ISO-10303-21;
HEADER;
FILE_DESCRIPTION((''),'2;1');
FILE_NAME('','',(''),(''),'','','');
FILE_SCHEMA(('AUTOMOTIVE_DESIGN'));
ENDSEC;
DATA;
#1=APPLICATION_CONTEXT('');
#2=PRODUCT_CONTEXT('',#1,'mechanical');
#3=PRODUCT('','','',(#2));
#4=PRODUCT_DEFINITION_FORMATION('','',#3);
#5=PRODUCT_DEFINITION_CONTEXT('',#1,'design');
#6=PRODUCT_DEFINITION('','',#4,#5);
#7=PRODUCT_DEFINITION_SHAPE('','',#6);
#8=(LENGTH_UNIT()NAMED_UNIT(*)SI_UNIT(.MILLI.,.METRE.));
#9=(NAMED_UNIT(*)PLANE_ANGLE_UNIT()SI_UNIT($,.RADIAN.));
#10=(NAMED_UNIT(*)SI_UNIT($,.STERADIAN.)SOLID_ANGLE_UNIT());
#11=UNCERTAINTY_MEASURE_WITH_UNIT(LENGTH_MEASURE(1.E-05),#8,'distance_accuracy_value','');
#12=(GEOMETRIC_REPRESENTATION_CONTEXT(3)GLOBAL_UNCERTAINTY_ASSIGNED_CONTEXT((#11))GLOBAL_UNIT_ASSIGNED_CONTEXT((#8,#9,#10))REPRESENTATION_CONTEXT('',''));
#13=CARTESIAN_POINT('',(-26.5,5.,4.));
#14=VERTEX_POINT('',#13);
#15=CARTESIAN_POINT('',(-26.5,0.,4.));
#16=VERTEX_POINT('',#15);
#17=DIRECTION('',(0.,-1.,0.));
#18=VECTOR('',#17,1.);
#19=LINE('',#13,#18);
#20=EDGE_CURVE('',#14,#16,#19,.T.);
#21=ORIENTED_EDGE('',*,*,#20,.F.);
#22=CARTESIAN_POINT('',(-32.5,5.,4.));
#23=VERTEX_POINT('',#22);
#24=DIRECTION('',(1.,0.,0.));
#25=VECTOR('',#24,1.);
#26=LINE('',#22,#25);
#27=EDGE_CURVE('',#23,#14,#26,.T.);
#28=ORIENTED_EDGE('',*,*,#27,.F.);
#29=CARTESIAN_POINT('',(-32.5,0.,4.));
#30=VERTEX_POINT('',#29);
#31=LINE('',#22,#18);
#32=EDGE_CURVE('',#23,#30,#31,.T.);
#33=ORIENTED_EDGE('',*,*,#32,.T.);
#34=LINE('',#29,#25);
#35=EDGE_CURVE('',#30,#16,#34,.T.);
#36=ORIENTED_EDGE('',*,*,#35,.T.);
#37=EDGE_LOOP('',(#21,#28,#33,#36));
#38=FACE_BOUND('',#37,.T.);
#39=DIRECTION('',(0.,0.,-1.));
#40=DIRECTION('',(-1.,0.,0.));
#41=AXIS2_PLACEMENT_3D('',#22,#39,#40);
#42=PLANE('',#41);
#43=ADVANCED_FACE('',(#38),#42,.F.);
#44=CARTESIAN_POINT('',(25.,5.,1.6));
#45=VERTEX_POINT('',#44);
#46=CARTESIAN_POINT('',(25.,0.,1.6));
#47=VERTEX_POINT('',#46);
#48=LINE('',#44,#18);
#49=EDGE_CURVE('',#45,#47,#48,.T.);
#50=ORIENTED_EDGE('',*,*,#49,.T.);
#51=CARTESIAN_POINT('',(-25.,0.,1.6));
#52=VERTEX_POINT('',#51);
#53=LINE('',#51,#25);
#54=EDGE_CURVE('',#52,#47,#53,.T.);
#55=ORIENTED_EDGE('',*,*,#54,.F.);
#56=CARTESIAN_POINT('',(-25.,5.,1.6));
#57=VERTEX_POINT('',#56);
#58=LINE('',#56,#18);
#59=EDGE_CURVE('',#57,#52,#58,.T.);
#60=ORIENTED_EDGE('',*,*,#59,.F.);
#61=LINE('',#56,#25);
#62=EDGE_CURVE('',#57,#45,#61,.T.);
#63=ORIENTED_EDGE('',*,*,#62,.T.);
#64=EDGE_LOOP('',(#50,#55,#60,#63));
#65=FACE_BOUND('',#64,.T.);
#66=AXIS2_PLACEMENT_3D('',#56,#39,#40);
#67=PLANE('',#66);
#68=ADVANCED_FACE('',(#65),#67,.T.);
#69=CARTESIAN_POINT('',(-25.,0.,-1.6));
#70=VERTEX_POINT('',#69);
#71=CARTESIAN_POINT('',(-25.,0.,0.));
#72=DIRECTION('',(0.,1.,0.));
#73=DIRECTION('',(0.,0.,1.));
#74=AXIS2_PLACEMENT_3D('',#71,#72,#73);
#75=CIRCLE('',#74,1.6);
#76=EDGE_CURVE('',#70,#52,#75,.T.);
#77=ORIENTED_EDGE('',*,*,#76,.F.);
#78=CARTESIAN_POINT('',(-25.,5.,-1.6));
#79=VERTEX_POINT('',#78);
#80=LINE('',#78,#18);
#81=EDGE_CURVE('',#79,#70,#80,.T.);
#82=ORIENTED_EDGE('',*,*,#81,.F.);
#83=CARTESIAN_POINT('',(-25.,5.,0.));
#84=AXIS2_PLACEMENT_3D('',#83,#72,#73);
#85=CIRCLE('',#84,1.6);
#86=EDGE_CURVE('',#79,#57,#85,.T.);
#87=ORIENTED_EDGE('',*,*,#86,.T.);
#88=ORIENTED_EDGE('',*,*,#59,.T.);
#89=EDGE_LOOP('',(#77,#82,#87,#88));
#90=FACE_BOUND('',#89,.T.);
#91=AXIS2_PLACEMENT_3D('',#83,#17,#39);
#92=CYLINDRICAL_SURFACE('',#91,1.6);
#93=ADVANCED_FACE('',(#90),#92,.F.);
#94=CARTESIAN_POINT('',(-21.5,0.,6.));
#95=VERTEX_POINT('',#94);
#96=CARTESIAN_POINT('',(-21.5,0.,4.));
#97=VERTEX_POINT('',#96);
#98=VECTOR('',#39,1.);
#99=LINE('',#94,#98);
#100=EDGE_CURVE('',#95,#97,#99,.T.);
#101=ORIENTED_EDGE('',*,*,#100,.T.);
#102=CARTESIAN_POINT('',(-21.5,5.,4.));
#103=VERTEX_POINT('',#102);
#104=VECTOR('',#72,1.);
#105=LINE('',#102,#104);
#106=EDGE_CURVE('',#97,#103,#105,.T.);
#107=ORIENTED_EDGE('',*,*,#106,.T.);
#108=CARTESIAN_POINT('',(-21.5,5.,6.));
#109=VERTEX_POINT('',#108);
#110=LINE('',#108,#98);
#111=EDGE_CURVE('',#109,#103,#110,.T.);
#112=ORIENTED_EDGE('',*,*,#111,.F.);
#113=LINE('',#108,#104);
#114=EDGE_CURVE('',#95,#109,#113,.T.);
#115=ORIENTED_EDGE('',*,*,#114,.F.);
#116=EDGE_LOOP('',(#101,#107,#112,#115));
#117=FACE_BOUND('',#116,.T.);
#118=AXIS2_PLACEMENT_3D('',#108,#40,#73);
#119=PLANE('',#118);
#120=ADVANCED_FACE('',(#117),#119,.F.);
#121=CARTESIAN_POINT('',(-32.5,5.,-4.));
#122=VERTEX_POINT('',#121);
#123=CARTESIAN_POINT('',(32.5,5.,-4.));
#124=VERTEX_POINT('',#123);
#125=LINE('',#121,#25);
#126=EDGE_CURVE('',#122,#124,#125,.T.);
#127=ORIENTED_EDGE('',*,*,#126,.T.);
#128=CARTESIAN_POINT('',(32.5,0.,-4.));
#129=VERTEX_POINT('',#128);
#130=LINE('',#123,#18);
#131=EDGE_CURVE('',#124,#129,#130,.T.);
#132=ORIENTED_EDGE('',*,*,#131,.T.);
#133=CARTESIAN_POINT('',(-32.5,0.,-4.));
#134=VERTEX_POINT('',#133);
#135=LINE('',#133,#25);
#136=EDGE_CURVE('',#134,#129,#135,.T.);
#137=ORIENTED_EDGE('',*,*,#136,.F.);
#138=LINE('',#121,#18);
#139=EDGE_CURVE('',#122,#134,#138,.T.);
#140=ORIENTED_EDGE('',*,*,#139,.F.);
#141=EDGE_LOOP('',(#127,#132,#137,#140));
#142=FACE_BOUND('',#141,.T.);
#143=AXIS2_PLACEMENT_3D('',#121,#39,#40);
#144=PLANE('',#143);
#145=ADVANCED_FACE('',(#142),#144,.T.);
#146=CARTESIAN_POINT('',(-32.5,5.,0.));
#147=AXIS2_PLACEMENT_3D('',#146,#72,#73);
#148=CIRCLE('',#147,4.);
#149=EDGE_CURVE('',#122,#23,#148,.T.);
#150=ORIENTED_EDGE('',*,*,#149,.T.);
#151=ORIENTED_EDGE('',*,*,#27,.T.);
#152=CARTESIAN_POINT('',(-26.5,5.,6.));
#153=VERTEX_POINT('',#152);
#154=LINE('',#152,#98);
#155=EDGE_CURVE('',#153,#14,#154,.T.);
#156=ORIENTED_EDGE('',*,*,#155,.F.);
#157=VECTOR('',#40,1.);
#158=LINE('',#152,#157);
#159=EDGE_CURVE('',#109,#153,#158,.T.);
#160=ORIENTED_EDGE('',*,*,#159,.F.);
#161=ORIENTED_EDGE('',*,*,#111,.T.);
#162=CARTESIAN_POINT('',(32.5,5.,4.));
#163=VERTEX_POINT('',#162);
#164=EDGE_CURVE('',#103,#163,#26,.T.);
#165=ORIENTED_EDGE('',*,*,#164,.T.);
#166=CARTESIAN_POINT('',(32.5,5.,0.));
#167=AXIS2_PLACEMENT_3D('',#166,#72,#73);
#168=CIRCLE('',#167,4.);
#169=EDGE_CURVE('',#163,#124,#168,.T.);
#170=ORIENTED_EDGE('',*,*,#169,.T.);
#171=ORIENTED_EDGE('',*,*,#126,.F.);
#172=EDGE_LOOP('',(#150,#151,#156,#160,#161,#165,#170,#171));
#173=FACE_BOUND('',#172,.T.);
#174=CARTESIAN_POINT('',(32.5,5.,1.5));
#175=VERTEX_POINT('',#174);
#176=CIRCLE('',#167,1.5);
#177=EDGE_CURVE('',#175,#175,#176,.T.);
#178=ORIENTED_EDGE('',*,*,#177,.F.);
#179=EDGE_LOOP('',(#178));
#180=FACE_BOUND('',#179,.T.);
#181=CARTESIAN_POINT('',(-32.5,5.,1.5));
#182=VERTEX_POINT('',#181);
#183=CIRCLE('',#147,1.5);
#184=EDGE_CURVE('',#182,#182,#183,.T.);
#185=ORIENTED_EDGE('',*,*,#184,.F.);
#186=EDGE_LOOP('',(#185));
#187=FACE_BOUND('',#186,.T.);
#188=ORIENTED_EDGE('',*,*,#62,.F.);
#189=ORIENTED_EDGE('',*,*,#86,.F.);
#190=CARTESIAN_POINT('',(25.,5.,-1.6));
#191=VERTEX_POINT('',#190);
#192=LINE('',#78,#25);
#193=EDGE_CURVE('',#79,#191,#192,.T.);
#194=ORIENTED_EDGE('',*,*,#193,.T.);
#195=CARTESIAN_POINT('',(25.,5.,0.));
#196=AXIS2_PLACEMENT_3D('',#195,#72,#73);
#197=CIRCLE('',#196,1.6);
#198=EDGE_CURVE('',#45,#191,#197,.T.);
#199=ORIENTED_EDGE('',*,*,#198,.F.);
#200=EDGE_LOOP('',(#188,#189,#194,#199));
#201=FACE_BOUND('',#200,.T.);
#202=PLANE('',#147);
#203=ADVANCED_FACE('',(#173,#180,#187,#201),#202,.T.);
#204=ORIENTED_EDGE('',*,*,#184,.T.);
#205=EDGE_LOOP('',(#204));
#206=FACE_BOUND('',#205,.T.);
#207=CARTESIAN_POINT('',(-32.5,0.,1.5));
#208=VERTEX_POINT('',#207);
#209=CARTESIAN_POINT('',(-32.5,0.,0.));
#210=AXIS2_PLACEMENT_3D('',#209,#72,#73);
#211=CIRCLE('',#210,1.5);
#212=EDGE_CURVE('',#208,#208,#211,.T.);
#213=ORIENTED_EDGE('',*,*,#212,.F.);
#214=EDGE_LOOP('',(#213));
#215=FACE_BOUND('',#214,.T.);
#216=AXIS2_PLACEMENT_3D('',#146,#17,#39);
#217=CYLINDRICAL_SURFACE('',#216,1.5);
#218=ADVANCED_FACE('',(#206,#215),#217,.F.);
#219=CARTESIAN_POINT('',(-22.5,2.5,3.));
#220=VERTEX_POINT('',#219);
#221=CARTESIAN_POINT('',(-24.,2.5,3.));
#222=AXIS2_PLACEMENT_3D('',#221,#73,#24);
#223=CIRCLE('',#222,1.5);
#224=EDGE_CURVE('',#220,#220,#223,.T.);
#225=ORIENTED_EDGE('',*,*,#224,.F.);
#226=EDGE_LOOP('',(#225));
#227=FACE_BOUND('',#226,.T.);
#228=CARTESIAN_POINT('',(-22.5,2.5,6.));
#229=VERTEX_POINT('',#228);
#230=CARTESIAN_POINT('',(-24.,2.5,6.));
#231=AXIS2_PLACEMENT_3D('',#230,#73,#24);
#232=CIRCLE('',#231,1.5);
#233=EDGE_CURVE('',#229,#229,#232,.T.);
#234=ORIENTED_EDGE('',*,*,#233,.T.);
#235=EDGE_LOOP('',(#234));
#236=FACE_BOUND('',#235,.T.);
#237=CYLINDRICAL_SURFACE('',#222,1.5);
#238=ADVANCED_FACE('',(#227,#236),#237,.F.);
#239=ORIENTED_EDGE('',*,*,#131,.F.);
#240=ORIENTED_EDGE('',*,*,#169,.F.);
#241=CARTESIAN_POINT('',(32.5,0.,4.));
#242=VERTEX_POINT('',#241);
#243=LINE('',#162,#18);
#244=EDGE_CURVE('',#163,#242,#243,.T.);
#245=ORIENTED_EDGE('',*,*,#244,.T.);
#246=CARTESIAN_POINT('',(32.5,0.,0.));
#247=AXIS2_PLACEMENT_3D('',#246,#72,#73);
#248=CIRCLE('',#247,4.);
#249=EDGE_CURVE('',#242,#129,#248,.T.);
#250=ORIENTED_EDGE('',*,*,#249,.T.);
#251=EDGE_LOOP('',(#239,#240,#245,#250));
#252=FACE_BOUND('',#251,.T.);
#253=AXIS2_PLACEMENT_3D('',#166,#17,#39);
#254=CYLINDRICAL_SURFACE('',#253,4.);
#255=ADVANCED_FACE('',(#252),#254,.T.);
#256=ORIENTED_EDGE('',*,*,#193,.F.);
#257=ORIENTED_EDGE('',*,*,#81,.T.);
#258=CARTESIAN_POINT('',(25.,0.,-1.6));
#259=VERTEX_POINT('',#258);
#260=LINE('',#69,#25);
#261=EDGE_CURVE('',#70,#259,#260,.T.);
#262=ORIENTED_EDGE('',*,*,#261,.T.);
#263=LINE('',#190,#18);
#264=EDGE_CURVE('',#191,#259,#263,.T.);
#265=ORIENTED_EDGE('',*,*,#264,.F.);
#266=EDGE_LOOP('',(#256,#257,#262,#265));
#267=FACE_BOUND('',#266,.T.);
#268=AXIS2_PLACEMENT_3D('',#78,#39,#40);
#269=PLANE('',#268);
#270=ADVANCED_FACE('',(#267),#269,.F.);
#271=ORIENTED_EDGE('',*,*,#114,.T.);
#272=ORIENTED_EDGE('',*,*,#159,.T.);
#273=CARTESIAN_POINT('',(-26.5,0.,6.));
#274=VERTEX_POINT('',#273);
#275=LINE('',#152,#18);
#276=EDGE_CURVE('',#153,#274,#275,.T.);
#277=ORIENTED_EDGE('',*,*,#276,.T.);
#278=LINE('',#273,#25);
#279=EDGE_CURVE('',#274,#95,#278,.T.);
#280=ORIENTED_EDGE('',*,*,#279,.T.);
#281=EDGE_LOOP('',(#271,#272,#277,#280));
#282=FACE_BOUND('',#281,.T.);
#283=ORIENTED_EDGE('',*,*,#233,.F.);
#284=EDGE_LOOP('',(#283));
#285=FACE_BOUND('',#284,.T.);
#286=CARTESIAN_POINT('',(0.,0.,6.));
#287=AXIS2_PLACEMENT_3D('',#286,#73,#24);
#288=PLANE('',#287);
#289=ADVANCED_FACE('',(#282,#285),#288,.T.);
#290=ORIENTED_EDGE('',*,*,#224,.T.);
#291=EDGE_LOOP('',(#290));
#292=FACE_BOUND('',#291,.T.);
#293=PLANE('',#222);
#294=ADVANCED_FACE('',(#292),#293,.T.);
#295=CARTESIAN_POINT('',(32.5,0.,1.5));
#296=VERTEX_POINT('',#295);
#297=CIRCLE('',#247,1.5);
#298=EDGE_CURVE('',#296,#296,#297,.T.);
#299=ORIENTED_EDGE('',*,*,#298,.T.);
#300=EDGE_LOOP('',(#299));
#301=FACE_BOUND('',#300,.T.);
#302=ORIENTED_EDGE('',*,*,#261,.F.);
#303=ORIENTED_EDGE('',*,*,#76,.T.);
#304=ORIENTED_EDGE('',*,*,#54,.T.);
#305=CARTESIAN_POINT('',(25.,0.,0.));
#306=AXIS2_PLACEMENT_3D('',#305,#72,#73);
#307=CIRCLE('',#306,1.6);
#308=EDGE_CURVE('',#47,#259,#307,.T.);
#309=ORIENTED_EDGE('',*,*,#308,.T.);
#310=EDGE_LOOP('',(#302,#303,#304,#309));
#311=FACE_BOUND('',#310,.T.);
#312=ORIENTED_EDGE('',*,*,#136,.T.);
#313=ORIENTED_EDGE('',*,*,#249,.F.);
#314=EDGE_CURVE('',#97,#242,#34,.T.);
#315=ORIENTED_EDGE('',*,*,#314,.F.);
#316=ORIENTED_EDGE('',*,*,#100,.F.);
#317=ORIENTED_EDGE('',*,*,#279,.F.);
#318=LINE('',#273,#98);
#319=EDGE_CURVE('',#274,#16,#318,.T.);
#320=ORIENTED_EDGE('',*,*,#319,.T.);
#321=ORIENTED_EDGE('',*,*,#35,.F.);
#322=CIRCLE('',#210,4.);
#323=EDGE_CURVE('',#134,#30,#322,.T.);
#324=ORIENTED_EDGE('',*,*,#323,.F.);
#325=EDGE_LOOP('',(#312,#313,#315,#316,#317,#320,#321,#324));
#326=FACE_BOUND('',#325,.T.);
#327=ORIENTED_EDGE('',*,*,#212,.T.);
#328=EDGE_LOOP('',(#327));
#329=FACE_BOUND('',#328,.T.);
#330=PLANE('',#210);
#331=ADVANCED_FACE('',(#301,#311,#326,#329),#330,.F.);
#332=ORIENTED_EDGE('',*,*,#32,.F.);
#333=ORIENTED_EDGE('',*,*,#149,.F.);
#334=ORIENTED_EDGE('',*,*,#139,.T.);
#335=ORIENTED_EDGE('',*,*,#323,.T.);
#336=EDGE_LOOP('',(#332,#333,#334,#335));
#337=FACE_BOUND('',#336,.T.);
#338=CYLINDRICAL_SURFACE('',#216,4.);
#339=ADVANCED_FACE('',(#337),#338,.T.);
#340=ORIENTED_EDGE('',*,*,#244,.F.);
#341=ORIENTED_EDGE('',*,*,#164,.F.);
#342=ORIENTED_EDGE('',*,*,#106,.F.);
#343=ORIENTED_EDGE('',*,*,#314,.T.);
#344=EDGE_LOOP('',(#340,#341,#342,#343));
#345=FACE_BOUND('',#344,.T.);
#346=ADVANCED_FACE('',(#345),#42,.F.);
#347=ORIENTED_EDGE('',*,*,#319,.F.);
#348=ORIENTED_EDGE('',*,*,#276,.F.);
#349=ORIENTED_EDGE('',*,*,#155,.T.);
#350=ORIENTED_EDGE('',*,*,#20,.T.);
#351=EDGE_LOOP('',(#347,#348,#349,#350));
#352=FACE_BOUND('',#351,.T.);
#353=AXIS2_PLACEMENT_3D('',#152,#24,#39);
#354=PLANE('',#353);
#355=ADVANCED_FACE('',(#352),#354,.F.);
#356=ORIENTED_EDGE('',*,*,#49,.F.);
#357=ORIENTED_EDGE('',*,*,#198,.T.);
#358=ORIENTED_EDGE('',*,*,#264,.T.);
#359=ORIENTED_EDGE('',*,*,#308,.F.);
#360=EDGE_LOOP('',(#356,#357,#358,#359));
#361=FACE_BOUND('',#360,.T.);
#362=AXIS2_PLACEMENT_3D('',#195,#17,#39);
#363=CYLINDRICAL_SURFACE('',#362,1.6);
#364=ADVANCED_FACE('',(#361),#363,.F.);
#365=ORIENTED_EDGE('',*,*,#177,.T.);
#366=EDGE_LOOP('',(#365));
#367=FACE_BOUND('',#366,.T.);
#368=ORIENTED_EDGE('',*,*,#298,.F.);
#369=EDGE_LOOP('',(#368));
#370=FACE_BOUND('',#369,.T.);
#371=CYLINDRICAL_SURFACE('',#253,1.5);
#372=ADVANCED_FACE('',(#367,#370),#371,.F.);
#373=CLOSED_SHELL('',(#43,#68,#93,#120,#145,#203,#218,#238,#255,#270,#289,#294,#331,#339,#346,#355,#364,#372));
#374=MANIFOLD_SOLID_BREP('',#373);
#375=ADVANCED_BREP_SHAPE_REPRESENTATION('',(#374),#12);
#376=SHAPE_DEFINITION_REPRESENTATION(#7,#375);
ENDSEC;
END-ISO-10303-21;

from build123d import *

# Parameters (mm, degrees)
SKETCH1_R           = 1.5
BOSS_EXTRUDE1_DEPTH = 5
SKETCH2_W           = 5
SKETCH2_H           = 5
BOSS_EXTRUDE2_DEPTH = 2
SKETCH3_R           = 1.5
CUT_EXTRUDE2_DEPTH  = 3


with BuildPart() as part:
    # Sketch1 → Boss-Extrude1 (new body)
    with BuildSketch(Plane(origin=(0, 0, 0), x_dir=(1, 0, 0), z_dir=(0, 1, 0))):
        with BuildLine():
            Line((-32.5, 4), (32.5, 4))
            ThreePointArc((32.5, 4), (36.5, 0), (32.5, -4))
            Line((32.5, -4), (-32.5, -4))
            ThreePointArc((-32.5, -4), (-36.5, 0), (-32.5, 4))
        make_face()
        with Locations((-32.5, 0)):
            Circle(SKETCH1_R, mode=Mode.SUBTRACT)
        with Locations((32.5, 0)):
            Circle(SKETCH1_R, mode=Mode.SUBTRACT)
        with BuildLine():
            Line((-25, 1.6), (25, 1.6))
            ThreePointArc((25, 1.6), (26.6, 0), (25, -1.6))
            Line((25, -1.6), (-25, -1.6))
            ThreePointArc((-25, -1.6), (-26.6, 0), (-25, 1.6))
        make_face(mode=Mode.SUBTRACT)
    extrude(amount=BOSS_EXTRUDE1_DEPTH)

    # Sketch2 → Boss-Extrude2 (add)
    with BuildSketch(Plane.XY.offset(4)):
        with Locations((-24, 2.5)):
            Rectangle(SKETCH2_W, SKETCH2_H)
    extrude(amount=BOSS_EXTRUDE2_DEPTH)

    # Sketch3 → Cut-Extrude2 (cut)
    with BuildSketch(Plane.XY.offset(6)):
        with Locations((-24, 2.5)):
            Circle(SKETCH3_R)
    extrude(amount=-CUT_EXTRUDE2_DEPTH, mode=Mode.SUBTRACT)


solid = part.part
